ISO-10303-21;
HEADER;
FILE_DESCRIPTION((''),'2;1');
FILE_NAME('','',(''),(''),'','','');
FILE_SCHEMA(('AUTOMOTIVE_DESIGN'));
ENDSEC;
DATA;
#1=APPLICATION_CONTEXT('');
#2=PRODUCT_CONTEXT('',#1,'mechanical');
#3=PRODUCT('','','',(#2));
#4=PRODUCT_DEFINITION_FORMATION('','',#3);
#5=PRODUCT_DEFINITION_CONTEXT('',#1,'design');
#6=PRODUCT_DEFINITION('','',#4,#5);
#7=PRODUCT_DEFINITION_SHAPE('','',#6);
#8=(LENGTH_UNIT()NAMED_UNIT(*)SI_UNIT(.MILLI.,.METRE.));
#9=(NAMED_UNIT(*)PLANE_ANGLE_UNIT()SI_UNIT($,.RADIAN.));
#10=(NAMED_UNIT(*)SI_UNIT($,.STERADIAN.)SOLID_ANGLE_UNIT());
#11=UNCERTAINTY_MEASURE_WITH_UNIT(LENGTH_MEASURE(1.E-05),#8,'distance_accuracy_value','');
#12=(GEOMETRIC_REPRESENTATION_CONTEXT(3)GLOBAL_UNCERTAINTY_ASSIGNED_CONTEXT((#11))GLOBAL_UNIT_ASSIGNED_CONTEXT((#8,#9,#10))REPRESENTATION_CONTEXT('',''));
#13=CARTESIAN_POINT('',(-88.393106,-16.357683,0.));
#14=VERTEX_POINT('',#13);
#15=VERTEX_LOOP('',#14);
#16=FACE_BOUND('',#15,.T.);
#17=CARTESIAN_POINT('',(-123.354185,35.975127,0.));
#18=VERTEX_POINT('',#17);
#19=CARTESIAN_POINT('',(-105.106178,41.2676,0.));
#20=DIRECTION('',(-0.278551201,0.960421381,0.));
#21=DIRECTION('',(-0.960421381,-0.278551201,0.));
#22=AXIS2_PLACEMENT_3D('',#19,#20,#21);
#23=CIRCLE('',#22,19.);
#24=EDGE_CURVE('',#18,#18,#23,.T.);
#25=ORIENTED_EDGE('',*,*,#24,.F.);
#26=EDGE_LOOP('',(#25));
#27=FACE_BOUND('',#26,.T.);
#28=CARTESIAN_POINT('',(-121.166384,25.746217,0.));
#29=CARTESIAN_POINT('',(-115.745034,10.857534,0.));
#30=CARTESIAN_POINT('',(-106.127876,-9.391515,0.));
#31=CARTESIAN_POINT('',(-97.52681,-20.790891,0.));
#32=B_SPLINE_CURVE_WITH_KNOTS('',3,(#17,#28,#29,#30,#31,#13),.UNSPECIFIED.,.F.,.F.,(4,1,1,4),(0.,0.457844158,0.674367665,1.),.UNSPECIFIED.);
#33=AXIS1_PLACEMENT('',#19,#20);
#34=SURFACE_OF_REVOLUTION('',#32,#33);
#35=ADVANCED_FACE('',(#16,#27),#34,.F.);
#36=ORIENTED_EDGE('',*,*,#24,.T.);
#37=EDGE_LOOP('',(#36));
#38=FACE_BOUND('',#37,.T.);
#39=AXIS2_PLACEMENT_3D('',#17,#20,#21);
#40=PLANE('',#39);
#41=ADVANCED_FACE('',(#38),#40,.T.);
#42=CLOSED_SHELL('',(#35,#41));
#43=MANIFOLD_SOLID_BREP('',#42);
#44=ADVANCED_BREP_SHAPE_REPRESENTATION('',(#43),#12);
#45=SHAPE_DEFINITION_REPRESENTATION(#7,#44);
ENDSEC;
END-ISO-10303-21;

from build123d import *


with BuildPart() as part:
    # Croquis1 → Revolución1 (revolve)
    with BuildSketch(Plane.XY):
        with BuildLine():
            Line((-123.354184704, 35.975126759), (-105.106178469, 41.26759957))
            Line((-105.106178469, 41.26759957), (-88.393106433, -16.357683276))
            add(Edge.make_bspline(
                [(-123.354184704, 35.975126759), (-121.166384307, 25.746216629), (-115.745033919, 10.857533856), (-106.127875765, -9.391515479), (-97.526810031, -20.790890562), (-88.393106433, -16.357683276)],
                knots=[0, 0, 0, 0, 0.457844158, 0.674367665, 1, 1, 1, 1], degree=3))
        make_face()
    revolve(axis=Axis((-105.106178469, 41.26759957, 0), (0.278551201, -0.960421381, 0)))


solid = part.part
